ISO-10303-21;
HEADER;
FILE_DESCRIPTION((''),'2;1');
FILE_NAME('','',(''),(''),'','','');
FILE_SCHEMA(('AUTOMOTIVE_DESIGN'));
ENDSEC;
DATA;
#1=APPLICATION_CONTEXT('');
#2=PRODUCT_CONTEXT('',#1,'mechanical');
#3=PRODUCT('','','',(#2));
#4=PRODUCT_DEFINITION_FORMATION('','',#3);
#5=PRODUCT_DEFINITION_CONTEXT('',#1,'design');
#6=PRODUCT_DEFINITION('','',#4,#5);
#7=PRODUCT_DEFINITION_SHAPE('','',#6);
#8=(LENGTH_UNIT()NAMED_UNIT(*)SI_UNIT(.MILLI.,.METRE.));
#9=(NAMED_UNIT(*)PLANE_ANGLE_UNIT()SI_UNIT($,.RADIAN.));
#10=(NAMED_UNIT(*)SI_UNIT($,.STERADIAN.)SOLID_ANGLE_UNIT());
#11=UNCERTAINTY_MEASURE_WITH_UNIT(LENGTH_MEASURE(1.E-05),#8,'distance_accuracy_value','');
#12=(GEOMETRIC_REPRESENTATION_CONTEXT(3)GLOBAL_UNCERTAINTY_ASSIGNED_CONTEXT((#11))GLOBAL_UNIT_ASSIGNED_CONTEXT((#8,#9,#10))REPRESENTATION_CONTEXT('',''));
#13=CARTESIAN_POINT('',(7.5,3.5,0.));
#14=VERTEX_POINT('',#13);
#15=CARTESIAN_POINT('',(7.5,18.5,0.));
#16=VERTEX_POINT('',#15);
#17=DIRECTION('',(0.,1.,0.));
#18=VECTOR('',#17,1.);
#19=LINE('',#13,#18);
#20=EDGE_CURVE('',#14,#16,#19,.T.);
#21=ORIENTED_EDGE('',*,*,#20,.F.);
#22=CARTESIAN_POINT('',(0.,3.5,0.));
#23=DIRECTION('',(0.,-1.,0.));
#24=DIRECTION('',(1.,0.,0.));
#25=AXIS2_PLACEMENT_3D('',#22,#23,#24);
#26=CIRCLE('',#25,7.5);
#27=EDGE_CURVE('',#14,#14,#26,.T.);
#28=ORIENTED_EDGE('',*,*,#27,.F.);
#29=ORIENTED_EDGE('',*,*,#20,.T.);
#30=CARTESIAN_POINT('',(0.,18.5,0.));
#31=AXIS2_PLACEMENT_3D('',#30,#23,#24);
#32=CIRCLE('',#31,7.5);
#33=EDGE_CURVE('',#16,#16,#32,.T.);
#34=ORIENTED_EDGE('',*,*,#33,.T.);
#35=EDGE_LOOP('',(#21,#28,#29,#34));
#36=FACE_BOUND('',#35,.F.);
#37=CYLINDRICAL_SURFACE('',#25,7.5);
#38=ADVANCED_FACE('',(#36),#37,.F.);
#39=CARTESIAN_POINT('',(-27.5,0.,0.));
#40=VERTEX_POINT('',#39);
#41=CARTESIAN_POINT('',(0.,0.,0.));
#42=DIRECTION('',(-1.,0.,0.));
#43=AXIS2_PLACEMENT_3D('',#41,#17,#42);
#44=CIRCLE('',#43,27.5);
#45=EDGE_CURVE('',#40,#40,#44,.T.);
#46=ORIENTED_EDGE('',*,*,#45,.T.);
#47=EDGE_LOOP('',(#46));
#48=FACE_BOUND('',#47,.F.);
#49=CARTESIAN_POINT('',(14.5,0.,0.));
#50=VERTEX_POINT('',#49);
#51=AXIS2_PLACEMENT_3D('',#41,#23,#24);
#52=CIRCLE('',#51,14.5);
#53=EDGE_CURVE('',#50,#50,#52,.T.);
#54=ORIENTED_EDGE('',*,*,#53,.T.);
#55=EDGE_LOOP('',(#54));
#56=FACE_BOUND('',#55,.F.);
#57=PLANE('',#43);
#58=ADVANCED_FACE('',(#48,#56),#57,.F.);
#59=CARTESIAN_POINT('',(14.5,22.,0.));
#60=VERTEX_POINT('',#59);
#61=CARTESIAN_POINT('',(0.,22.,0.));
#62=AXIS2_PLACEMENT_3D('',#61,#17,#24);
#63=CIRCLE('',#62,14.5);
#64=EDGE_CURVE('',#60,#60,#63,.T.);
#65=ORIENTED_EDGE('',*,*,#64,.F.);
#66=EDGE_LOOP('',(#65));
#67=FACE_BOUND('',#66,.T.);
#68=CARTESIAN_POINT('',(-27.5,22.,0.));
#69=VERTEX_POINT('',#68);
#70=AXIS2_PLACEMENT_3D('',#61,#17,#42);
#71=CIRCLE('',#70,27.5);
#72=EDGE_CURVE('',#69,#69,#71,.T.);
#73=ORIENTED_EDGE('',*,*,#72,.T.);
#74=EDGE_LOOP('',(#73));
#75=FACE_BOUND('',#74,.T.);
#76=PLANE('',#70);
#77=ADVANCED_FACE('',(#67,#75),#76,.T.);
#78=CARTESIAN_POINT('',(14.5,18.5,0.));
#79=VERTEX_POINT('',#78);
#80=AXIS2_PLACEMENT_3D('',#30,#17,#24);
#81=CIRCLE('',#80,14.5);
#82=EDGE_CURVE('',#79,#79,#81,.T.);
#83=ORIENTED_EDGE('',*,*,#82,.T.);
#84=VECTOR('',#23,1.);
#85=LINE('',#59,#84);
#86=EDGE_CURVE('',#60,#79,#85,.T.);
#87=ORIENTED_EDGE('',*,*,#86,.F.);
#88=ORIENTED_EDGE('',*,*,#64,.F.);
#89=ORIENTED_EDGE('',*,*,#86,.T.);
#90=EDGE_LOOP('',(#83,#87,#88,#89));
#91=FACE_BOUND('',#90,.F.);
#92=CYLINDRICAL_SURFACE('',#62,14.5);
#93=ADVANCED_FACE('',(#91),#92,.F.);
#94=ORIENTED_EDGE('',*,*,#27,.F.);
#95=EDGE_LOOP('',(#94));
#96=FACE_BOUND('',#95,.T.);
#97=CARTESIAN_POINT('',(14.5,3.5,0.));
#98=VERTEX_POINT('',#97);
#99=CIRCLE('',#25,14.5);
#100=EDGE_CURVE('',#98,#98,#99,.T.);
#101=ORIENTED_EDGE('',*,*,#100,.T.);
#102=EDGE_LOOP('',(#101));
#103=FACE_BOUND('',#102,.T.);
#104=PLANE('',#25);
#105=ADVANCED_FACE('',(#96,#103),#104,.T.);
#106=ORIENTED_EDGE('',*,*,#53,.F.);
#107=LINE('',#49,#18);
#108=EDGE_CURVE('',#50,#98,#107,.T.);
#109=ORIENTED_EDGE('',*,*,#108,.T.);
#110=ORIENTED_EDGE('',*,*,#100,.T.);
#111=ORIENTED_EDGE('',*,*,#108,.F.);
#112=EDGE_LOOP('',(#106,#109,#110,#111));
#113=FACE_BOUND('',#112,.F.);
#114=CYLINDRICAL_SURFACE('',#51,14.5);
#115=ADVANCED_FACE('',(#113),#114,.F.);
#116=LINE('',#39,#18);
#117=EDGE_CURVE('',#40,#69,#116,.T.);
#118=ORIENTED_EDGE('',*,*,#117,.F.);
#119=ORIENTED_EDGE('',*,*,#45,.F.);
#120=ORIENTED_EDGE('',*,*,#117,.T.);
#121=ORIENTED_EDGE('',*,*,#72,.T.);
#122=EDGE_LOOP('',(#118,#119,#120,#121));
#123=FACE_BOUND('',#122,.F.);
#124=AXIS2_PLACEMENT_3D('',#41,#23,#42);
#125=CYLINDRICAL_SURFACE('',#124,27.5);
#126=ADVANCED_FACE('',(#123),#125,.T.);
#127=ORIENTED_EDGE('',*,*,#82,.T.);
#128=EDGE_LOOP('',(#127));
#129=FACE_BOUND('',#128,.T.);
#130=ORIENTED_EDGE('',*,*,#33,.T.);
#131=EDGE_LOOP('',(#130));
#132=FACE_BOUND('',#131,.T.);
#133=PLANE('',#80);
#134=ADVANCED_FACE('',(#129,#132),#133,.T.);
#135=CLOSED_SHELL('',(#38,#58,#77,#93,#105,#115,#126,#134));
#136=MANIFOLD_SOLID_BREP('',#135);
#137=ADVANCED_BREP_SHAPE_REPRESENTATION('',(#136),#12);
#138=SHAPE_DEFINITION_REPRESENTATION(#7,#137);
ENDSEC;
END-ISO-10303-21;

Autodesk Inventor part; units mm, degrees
ref_plane "YZ Plane" through (0, 0, 0) normal (1, 0, 0) x (0, 1, 0)
ref_plane "XZ Plane" through (0, 0, 0) normal (0, 1, 0) x (-1, 0, 0)
ref_plane "XY Plane" through (0, 0, 0) normal (0, 0, 1) x (1, 0, 0)
sketch "Sketch1" plane through (0, 0, 0) normal (0, 1, 0) x (-1, 0, 0)
  circle A0 centre (0, 0) radius 27.5
  dimension "d0" = 55
extrude "Extrusion1" add sketch "Sketch1" along normal blind 22
sketch "Sketch2" plane through (0, 22, 0) normal (0, 1, 0) x (1, 0, 0)
  circle A0 centre (0, 0) radius 14.5
  dimension "d3" = 29
extrude "Extrusion2" cut sketch "Sketch2" against normal blind 3.5
sketch "Sketch3" plane through (0, 0, 0) normal (0, -1, 0) x (1, 0, 0)
  circle A0 centre (0, 0) radius 14.5
extrude "Extrusion3" cut sketch "Sketch3" against normal blind 3.5
sketch "Sketch4" plane through (0, 3.5, 0) normal (0, -1, 0) x (1, 0, 0)
  circle A0 centre (0, 0) radius 7.5
  dimension "d8" = 15
extrude "Extrusion4" cut sketch "Sketch4" against normal blind 36.5
properties part number "wheel" material "EIFS, Exterior Insulation"
